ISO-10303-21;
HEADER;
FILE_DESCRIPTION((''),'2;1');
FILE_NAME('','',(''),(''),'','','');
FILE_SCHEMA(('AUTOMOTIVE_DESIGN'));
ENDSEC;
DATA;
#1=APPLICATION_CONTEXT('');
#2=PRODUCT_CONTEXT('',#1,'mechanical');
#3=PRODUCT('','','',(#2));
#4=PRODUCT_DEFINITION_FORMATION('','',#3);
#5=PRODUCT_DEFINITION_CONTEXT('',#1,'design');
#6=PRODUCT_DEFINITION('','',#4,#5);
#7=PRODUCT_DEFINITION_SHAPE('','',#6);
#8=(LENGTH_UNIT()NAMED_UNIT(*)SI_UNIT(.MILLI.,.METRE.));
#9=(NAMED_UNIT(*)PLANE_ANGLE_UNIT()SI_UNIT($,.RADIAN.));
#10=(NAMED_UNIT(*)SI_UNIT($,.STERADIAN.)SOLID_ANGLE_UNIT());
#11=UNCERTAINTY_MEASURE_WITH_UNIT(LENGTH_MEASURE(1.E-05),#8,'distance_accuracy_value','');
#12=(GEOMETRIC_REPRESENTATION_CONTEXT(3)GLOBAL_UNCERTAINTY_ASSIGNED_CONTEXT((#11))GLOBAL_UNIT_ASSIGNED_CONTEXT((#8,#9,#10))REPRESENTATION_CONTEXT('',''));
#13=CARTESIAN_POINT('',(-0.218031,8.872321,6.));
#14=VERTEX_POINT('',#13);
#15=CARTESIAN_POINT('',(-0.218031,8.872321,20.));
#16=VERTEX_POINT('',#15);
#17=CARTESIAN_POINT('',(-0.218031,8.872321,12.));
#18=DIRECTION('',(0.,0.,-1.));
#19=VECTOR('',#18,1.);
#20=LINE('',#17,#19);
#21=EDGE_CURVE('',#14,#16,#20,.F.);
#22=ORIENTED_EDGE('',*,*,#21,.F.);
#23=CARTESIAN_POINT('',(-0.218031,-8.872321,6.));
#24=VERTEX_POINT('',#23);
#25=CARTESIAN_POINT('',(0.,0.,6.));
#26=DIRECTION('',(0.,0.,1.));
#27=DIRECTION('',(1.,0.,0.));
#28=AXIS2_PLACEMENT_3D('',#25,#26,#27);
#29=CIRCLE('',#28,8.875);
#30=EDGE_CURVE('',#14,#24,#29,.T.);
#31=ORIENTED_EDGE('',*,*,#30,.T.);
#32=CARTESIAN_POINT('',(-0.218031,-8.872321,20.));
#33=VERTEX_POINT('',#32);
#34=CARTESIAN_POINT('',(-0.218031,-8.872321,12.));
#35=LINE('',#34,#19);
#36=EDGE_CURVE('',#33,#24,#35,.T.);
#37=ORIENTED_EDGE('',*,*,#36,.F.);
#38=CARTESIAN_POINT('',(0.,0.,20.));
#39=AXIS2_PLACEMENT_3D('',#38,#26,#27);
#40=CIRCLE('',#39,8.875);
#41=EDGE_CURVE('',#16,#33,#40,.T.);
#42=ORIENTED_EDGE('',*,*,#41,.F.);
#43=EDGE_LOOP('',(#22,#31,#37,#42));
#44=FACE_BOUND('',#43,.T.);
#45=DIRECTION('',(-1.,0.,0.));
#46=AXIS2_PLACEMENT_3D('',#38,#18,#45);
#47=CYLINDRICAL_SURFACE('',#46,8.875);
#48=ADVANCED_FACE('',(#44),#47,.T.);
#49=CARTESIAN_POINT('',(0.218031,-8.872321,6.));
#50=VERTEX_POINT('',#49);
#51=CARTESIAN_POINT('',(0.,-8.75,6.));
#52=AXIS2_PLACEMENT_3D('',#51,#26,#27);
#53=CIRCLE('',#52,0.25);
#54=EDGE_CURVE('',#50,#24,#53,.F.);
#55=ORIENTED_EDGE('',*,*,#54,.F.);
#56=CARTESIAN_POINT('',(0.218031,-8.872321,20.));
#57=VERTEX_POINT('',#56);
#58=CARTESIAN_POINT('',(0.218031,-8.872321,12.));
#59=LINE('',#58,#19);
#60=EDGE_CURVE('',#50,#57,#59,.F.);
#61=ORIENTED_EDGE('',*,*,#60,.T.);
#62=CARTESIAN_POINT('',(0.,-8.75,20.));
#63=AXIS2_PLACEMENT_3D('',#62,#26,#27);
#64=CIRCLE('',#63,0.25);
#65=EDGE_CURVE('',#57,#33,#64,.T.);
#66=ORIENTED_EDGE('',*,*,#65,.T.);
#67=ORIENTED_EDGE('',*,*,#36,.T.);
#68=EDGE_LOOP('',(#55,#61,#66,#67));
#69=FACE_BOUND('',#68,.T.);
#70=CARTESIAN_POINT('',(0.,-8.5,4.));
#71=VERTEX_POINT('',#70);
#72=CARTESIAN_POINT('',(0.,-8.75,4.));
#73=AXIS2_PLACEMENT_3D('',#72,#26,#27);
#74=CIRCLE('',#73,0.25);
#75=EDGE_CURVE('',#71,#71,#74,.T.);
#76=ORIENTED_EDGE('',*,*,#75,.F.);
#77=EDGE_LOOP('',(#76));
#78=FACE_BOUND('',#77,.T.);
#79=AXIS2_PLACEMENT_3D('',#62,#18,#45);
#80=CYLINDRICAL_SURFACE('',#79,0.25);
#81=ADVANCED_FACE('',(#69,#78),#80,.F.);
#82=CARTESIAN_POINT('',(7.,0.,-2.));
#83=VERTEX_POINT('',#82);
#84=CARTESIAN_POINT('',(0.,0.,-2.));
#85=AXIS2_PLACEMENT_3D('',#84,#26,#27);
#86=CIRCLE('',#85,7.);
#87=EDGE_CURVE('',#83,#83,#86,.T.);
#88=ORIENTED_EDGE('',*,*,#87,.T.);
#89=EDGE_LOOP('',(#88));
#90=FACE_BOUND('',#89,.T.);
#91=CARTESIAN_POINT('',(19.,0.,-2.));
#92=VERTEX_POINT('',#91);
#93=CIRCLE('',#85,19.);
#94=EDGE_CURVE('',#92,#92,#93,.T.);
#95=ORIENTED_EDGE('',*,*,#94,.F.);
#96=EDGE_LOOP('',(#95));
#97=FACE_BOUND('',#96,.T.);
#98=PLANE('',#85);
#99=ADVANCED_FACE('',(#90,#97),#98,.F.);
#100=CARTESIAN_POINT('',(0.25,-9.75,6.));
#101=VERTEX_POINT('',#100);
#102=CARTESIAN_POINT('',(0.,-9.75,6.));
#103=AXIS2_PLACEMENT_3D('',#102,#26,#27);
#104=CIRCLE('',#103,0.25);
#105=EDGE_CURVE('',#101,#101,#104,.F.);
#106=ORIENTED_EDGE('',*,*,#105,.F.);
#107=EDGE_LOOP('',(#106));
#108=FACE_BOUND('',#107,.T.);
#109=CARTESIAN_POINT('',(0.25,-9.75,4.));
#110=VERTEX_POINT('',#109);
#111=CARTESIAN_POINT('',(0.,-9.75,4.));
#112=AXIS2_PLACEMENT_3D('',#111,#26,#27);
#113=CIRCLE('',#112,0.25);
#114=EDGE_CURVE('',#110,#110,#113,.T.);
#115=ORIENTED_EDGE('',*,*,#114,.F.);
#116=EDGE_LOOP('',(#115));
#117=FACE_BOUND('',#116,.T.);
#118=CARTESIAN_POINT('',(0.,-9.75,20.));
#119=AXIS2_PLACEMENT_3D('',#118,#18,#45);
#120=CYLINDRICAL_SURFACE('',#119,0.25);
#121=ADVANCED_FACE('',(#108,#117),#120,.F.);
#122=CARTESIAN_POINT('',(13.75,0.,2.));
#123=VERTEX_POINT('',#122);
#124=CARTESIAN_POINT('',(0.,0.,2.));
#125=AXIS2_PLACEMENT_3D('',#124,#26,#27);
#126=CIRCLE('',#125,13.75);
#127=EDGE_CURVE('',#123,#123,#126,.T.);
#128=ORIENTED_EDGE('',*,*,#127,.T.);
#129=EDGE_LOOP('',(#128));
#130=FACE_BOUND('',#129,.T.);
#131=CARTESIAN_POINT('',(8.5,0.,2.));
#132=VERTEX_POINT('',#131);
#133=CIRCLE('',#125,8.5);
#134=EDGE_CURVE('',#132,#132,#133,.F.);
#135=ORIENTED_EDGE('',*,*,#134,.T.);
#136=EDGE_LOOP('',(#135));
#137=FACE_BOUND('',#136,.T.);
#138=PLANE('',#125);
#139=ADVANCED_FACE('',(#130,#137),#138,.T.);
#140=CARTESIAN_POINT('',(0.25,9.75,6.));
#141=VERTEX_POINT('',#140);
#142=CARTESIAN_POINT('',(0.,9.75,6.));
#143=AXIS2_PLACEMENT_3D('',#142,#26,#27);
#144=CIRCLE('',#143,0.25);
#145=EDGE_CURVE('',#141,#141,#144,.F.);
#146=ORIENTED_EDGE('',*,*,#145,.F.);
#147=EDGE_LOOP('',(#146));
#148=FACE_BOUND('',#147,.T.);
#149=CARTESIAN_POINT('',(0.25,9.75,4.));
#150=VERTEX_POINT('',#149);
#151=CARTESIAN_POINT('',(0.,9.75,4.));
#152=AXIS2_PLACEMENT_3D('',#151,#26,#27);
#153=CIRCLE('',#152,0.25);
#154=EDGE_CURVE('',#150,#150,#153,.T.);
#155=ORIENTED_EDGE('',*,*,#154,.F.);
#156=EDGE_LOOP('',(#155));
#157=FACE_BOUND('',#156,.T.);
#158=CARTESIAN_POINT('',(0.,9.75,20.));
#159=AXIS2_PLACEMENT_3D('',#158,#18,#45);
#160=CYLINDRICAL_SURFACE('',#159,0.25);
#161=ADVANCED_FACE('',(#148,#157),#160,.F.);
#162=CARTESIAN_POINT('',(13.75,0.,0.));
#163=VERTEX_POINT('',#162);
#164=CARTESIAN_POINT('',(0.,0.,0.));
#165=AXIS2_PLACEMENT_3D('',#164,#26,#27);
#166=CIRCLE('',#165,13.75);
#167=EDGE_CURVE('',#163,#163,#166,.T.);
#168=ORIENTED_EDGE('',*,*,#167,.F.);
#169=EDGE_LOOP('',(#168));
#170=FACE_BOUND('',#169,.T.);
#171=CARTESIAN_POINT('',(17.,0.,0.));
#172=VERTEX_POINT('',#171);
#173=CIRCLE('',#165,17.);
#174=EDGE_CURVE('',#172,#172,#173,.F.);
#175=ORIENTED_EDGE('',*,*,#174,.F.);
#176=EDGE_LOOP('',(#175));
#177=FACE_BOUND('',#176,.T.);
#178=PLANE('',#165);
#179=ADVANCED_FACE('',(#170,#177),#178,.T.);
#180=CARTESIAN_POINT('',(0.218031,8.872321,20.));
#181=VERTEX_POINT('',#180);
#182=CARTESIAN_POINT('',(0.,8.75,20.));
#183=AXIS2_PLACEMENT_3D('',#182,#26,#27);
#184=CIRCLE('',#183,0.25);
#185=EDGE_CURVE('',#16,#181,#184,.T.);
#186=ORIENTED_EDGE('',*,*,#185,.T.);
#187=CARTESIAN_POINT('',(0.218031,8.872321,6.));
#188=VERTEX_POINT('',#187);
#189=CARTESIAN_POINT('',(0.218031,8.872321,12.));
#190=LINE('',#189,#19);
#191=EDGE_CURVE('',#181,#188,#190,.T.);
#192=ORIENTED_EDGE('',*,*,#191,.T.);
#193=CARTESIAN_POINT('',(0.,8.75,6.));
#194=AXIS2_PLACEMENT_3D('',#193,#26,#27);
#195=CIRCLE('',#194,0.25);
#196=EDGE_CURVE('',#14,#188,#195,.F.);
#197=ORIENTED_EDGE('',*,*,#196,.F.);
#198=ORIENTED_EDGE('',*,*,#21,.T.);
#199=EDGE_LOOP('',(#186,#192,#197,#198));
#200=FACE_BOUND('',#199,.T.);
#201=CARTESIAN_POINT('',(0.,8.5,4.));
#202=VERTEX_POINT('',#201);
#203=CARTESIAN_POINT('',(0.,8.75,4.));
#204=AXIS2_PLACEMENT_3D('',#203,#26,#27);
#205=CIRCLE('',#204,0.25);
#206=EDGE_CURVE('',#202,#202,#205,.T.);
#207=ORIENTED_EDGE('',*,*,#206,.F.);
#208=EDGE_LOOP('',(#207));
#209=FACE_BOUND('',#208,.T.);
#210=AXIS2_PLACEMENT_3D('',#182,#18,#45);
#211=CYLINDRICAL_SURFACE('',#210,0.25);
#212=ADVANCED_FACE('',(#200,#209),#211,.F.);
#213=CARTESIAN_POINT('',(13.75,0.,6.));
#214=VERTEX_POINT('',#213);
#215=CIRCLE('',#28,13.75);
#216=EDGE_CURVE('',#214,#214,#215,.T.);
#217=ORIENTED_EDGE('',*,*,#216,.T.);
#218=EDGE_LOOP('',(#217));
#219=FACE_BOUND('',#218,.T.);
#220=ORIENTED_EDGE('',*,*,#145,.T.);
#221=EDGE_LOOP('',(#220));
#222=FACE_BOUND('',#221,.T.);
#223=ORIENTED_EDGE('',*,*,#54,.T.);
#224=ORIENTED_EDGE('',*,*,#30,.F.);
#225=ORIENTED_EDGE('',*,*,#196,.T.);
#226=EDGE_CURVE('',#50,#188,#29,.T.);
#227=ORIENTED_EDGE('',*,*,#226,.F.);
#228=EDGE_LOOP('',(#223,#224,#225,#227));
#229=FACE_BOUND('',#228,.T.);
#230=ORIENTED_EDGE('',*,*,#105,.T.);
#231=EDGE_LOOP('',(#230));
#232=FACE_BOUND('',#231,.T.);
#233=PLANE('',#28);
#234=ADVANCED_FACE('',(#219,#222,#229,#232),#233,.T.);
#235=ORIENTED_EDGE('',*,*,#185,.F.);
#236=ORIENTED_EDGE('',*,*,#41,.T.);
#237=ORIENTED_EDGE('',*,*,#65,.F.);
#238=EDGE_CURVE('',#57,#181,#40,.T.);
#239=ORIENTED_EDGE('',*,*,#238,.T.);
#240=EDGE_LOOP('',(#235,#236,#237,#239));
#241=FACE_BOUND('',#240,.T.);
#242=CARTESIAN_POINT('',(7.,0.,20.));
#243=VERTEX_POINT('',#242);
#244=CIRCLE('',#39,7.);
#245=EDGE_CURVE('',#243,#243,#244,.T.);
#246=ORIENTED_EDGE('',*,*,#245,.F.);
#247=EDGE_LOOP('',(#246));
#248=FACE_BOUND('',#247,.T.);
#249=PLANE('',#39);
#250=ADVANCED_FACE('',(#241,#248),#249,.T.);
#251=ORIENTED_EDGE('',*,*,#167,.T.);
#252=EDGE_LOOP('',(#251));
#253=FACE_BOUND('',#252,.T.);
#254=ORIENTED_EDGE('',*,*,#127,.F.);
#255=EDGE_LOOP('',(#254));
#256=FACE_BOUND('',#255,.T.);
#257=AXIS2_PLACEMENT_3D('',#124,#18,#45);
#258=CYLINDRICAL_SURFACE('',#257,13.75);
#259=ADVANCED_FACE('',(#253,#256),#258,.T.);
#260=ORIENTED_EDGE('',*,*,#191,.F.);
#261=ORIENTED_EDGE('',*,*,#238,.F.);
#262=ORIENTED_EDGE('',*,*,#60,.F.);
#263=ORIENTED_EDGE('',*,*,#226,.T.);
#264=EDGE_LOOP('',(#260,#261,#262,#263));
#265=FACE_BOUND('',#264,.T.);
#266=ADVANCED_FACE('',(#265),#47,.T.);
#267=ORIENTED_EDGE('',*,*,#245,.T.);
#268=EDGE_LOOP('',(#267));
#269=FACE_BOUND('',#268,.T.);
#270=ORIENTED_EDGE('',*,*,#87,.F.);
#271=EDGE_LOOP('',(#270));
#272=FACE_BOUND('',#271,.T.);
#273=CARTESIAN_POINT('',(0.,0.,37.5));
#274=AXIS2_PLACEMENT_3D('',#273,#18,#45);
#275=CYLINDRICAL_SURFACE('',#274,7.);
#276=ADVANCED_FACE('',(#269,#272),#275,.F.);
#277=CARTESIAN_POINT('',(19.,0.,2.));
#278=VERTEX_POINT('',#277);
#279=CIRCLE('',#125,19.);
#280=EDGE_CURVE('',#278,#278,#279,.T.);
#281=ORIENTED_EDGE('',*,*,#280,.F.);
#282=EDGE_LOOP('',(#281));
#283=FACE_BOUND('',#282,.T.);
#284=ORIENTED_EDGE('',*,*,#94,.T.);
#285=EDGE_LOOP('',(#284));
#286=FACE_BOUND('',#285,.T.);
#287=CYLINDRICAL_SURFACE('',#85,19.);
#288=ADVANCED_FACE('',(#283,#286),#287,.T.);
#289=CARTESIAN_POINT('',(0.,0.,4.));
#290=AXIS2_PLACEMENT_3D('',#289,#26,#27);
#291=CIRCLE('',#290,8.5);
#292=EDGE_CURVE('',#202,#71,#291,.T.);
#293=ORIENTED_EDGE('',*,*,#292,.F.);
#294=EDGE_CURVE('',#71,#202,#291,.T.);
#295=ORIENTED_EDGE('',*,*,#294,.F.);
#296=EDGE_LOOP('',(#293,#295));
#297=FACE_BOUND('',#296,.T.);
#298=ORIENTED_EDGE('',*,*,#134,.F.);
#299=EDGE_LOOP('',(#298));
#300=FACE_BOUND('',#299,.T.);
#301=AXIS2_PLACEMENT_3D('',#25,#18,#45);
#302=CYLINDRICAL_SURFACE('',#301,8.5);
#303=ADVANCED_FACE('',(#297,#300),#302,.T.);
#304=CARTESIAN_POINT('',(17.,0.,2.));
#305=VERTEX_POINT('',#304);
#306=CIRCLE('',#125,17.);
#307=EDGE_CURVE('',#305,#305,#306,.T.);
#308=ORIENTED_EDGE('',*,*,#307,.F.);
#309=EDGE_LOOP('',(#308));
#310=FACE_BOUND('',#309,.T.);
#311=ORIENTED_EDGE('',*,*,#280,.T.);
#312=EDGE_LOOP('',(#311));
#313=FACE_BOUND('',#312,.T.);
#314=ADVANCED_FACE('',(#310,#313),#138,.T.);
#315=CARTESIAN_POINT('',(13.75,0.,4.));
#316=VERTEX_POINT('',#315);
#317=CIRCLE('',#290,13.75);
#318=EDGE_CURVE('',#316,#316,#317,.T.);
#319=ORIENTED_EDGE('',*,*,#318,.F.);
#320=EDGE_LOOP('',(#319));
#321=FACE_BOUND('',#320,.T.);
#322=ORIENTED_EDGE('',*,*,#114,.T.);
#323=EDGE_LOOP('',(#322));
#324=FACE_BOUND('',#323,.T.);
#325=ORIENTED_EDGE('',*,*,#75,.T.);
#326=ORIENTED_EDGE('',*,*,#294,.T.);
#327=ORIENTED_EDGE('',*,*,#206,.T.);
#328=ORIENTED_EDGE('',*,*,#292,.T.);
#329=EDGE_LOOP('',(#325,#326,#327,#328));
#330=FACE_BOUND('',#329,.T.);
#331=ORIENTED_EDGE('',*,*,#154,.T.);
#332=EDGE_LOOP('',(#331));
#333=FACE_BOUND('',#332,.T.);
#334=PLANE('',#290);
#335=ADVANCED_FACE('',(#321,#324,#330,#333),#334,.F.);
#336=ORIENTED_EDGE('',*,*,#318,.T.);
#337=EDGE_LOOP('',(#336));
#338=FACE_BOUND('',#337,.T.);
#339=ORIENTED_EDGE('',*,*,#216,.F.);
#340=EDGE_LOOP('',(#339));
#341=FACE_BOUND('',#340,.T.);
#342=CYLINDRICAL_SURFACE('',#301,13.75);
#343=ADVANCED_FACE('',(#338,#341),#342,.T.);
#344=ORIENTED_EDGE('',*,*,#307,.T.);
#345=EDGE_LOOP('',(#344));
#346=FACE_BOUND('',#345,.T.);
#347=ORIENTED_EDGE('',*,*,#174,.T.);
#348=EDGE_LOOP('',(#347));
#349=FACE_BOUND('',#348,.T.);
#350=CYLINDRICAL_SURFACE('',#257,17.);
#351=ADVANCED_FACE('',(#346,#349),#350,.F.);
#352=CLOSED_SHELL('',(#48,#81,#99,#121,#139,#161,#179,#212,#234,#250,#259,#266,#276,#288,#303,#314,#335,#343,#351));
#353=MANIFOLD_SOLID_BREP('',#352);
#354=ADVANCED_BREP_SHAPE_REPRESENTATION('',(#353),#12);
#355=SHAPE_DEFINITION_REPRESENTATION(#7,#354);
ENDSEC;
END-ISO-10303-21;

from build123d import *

# Parameters (mm, degrees)
SKETCH1_R           = 13.75
BOSS_EXTRUDE1_DEPTH = 2
SKETCH2_R           = 8.5
BOSS_EXTRUDE2_DEPTH = 6
BOSS_EXTRUDE3_START = 4
SKETCH3_R           = 13.75
BOSS_EXTRUDE3_DEPTH = 2
SKETCH5_R           = 7
CUT_EXTRUDE2_DEPTH  = 37.5
BOSS_EXTRUDE4_START = 20
SKETCH6_R           = 8.875
SKETCH6_R_2         = 7
BOSS_EXTRUDE4_DEPTH = 14
CUT_EXTRUDE3_START  = 4
SKETCH9_R           = 0.25
CUT_EXTRUDE3_DEPTH  = 24.894892006
SKETCH10_R          = 19
BOSS_EXTRUDE5_DEPTH = 2
SKETCH11_R          = 7
CUT_EXTRUDE4_DEPTH  = 2
BOSS_EXTRUDE6_START = 2
SKETCH12_R          = 19
SKETCH12_R_2        = 17
BOSS_EXTRUDE6_DEPTH = 2


with BuildPart() as part:
    # Sketch1 → Boss-Extrude1 (new body)
    with BuildSketch(Plane.XY):
        Circle(SKETCH1_R)
    extrude(amount=BOSS_EXTRUDE1_DEPTH)

    # Sketch2 → Boss-Extrude2 (add)
    with BuildSketch(Plane.XY):
        Circle(SKETCH2_R)
    extrude(amount=BOSS_EXTRUDE2_DEPTH)

    # Sketch3 → Boss-Extrude3 (add)
    with BuildSketch(Plane.XY.offset(BOSS_EXTRUDE3_START)):
        Circle(SKETCH3_R)
    extrude(amount=BOSS_EXTRUDE3_DEPTH)

    # Sketch5 → Cut-Extrude2 (cut, symmetric)
    with BuildSketch(Plane.XY):
        Circle(SKETCH5_R)
    extrude(amount=CUT_EXTRUDE2_DEPTH, both=True, mode=Mode.SUBTRACT)

    # Sketch6 → Boss-Extrude4 (add)
    with BuildSketch(Plane.XY.offset(BOSS_EXTRUDE4_START)):
        Circle(SKETCH6_R)
        Circle(SKETCH6_R_2, mode=Mode.SUBTRACT)
    extrude(amount=-BOSS_EXTRUDE4_DEPTH)

    # Sketch9 → Cut-Extrude3 (cut, through all)
    with BuildSketch(Plane.XY.offset(CUT_EXTRUDE3_START)):
        with Locations((0, 9.75)):
            Circle(SKETCH9_R)
        with Locations((0, -9.75)):
            Circle(SKETCH9_R)
        with Locations(Location((0, 8.75, 0), (0, 0, 150.706355545))):
            Circle(SKETCH9_R)
        with Locations(Location((0, -8.75, 0), (0, 0, 209.293644455))):
            Circle(SKETCH9_R)
    extrude(amount=CUT_EXTRUDE3_DEPTH, mode=Mode.SUBTRACT)

    # Sketch10 → Boss-Extrude5 (add)
    with BuildSketch(Plane.XY):
        Circle(SKETCH10_R)
    extrude(amount=-BOSS_EXTRUDE5_DEPTH)

    # Sketch11 → Cut-Extrude4 (cut)
    with BuildSketch(Plane.XY):
        Circle(SKETCH11_R)
    extrude(amount=-CUT_EXTRUDE4_DEPTH, mode=Mode.SUBTRACT)

    # Sketch12 → Boss-Extrude6 (add)
    with BuildSketch(Plane.XY.offset(BOSS_EXTRUDE6_START)):
        Circle(SKETCH12_R)
        Circle(SKETCH12_R_2, mode=Mode.SUBTRACT)
    extrude(amount=-BOSS_EXTRUDE6_DEPTH)


solid = part.part
